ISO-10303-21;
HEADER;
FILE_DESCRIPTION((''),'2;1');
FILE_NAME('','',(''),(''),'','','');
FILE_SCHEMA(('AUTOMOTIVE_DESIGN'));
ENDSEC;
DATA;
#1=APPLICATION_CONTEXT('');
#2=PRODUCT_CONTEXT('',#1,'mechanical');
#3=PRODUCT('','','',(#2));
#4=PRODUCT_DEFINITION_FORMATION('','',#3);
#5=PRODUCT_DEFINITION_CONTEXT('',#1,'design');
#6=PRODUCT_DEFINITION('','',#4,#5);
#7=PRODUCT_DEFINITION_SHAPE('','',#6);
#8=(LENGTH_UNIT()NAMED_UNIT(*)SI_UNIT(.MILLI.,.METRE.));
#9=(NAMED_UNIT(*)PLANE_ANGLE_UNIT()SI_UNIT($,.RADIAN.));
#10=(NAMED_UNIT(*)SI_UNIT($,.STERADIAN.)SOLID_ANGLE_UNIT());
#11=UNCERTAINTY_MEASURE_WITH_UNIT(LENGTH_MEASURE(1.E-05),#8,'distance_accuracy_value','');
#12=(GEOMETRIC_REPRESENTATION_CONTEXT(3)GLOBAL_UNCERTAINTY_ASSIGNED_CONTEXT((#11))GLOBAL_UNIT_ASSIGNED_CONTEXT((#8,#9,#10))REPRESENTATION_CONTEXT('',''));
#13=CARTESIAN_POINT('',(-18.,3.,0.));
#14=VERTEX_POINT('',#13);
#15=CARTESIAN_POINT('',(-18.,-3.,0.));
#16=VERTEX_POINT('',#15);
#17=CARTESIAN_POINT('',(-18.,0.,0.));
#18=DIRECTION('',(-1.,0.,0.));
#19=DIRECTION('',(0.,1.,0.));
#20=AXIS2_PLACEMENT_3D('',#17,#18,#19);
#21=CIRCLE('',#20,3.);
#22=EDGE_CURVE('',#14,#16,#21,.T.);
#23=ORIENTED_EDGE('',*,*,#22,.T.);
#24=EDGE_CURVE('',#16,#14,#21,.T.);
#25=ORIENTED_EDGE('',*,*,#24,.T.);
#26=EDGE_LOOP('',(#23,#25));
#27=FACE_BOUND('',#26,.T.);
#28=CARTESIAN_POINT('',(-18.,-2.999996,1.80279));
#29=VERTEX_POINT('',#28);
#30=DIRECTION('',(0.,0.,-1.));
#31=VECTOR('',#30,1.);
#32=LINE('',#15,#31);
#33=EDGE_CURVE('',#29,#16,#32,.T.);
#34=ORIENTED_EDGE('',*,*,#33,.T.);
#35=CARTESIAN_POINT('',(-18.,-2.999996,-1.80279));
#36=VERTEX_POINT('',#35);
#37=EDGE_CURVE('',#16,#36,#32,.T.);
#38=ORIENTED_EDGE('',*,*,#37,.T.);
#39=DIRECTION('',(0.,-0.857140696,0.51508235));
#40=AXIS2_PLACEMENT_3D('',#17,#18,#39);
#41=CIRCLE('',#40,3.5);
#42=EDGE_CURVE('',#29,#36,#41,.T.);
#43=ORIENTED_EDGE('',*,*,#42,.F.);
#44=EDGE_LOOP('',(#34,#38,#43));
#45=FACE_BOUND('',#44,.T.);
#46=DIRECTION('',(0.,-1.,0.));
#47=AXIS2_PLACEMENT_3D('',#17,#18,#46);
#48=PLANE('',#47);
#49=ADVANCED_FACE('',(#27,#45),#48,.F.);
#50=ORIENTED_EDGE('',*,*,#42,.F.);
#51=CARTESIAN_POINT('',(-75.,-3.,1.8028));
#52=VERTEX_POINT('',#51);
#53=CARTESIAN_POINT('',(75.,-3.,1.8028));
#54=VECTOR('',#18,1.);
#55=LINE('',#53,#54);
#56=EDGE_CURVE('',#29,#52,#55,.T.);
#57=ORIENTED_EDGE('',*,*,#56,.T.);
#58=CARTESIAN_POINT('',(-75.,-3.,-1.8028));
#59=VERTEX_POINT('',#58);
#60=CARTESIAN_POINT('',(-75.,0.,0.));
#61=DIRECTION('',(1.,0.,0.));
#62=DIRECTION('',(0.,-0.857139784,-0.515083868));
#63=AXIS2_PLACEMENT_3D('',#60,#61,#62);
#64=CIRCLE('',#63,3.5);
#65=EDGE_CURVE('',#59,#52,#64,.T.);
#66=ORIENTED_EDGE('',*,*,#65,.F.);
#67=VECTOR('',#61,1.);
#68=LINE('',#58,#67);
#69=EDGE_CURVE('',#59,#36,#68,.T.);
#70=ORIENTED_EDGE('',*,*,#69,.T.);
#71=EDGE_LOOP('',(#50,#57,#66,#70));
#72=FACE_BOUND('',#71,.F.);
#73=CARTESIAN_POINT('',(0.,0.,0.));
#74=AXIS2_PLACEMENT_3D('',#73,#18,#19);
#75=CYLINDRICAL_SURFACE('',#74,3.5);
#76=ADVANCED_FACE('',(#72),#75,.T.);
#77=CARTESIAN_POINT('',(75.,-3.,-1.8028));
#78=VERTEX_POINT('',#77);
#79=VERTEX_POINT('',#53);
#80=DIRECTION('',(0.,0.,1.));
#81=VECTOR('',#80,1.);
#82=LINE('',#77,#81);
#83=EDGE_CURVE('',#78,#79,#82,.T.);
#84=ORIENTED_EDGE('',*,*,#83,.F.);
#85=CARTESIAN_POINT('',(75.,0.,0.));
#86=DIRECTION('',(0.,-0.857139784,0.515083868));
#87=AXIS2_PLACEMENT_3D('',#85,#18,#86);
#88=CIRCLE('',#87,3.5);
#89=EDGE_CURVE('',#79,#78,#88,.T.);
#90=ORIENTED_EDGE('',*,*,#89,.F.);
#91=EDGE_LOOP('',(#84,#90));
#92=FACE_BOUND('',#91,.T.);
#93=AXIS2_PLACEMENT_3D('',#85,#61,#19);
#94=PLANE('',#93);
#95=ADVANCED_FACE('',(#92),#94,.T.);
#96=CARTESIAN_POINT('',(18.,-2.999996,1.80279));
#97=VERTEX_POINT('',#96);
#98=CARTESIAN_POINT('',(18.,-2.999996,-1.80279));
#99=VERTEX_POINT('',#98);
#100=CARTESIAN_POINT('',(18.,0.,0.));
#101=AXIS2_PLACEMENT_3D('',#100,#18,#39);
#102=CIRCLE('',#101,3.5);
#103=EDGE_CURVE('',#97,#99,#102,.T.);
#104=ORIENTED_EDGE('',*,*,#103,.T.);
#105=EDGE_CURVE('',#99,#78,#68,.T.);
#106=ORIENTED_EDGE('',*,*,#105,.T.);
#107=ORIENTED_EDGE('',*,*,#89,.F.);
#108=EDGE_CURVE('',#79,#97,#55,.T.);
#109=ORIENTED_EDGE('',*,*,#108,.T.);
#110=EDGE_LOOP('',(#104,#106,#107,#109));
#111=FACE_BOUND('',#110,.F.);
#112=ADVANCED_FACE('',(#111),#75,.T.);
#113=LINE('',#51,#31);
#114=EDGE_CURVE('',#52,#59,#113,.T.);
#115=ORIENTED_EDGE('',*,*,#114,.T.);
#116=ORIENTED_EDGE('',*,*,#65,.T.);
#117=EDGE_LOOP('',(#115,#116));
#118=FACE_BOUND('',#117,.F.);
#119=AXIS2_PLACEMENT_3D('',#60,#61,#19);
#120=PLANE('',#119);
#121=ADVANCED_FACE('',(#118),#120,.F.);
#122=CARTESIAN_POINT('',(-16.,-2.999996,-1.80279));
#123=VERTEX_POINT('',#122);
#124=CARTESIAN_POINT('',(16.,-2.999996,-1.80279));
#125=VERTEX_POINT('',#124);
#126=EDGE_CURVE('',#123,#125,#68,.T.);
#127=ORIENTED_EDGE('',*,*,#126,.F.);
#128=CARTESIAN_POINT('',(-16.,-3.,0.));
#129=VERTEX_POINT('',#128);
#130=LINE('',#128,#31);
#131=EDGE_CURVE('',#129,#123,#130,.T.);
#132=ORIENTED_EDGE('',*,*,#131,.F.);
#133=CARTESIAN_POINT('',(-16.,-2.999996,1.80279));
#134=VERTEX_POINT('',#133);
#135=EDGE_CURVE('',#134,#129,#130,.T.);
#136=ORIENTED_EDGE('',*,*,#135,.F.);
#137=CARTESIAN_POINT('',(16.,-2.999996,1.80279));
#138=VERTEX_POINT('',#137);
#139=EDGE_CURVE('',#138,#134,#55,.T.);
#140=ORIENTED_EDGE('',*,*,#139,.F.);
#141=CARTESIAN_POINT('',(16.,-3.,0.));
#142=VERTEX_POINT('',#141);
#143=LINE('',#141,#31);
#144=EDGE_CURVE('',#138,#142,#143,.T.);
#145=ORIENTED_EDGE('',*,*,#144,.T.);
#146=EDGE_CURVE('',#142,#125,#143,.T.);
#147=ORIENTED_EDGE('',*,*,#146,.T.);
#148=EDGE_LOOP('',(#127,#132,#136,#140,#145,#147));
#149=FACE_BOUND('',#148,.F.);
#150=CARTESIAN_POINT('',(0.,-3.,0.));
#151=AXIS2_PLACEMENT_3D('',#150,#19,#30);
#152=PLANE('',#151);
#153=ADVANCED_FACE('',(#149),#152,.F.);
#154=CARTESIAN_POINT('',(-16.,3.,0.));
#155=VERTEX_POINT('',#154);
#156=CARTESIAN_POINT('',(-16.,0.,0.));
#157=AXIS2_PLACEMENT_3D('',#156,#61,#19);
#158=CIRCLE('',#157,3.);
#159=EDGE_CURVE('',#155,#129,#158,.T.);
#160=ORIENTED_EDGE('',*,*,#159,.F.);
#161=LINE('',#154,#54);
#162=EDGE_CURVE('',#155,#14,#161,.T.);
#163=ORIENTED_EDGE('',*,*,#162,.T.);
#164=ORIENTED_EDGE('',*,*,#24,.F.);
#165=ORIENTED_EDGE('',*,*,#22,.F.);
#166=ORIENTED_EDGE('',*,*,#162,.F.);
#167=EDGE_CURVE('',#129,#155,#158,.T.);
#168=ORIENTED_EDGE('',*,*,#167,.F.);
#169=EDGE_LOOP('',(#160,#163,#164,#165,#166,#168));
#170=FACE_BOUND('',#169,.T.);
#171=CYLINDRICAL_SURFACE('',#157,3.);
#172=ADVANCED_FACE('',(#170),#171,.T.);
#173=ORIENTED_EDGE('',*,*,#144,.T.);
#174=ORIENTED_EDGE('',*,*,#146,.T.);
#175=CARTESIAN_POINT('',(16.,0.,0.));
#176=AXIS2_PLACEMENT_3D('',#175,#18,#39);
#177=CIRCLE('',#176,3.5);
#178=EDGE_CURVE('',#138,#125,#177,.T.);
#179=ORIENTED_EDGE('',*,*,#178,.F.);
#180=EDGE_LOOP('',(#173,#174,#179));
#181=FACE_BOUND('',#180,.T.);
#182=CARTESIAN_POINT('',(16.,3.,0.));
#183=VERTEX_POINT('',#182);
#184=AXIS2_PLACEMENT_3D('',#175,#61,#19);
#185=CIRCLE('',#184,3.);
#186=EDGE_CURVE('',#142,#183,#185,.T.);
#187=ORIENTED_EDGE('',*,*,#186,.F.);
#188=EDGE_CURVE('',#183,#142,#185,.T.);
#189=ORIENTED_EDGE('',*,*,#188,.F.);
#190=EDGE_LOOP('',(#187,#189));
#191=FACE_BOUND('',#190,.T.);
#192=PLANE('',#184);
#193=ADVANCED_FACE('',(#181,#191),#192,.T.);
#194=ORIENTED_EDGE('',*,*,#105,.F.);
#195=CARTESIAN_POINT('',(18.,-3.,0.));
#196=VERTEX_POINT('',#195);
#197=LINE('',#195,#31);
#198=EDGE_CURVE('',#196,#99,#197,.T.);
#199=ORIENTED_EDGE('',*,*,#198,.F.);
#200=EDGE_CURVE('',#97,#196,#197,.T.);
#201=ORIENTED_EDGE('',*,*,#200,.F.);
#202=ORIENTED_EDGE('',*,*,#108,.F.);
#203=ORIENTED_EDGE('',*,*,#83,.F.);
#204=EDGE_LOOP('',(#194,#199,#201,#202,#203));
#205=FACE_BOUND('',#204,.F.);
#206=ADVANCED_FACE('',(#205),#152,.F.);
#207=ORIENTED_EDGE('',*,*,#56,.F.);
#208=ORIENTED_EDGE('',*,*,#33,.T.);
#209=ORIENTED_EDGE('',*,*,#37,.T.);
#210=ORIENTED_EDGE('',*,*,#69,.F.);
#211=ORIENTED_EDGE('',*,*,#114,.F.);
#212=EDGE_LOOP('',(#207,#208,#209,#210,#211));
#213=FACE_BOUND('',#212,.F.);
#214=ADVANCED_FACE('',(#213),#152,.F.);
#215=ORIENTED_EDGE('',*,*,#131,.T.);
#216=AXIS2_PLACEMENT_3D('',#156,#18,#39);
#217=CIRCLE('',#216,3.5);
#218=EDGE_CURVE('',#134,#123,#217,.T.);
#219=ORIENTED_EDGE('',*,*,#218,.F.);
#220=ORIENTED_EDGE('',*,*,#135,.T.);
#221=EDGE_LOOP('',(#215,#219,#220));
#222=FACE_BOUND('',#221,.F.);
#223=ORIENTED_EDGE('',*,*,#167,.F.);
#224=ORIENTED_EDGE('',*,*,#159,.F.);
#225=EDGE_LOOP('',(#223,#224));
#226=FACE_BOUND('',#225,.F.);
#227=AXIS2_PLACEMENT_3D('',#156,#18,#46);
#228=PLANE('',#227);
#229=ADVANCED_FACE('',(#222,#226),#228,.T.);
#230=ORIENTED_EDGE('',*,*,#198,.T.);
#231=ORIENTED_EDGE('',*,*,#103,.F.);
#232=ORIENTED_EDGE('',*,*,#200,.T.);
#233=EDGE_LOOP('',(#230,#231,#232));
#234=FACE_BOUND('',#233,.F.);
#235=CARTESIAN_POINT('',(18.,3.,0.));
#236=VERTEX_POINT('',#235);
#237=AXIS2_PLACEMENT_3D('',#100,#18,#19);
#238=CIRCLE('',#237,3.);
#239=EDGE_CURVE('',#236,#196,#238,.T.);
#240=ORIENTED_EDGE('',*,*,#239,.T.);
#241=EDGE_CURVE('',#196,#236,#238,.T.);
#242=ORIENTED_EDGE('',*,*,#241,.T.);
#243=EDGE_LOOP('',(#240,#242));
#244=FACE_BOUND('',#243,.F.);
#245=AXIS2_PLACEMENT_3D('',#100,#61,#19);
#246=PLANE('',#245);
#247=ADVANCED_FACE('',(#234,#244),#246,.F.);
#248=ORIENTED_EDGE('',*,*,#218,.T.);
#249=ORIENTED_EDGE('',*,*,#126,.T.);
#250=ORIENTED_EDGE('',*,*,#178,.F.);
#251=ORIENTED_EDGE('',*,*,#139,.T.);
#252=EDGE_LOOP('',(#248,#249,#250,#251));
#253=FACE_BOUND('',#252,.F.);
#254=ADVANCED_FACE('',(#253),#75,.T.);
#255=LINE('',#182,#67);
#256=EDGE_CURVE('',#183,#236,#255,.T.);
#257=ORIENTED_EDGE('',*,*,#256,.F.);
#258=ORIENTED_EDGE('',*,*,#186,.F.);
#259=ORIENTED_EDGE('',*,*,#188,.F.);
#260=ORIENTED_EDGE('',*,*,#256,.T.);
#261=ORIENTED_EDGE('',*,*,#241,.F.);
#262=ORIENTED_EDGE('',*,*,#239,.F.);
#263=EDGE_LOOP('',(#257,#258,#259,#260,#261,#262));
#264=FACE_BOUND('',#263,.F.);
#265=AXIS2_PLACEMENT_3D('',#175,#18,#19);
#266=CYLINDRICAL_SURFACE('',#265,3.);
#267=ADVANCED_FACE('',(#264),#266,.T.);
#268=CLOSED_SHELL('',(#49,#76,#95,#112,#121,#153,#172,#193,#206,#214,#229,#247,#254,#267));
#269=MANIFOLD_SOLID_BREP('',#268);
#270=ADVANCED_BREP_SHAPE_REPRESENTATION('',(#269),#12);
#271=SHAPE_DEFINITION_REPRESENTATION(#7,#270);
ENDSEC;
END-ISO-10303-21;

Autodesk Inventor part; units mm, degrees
ref_plane "XZ Plane" through (0, 0, 0) normal (0, 1, 0) x (-1, 0, 0)
ref_plane "XY Plane" through (0, 0, 0) normal (0, 0, 1) x (1, 0, 0)
sketch "Sketch1" plane through (0, 0, 0) normal (1, 0, 0) x (0, 1, 0)
  circle A0 centre (0, 0) radius 3.5
  circle A1 centre (0, 0) radius 3
  line L0 (-3, 1.8028) -> (-3, -1.8028)
  dimension "d0" = 7
  dimension "d3" = 0.5
  dimension "d9" = 3
extrude "Extrusion1" add sketch "Sketch1" along normal mid plane 150 contours A1 | A0 L0 picked at (3.3009, 0.2732)
ref_plane "Work Plane1" through (16, 0, 0) normal (1, 0, 0) x (0, 1, 0)
extrude "Extrusion3" cut sketch "Sketch1" along normal blind 2 from surface at 16
mirror "Mirror1" about plane through (0, 0, 0) normal (1, 0, 0) of "Extrusion3"
properties part number "Linear Rod"
